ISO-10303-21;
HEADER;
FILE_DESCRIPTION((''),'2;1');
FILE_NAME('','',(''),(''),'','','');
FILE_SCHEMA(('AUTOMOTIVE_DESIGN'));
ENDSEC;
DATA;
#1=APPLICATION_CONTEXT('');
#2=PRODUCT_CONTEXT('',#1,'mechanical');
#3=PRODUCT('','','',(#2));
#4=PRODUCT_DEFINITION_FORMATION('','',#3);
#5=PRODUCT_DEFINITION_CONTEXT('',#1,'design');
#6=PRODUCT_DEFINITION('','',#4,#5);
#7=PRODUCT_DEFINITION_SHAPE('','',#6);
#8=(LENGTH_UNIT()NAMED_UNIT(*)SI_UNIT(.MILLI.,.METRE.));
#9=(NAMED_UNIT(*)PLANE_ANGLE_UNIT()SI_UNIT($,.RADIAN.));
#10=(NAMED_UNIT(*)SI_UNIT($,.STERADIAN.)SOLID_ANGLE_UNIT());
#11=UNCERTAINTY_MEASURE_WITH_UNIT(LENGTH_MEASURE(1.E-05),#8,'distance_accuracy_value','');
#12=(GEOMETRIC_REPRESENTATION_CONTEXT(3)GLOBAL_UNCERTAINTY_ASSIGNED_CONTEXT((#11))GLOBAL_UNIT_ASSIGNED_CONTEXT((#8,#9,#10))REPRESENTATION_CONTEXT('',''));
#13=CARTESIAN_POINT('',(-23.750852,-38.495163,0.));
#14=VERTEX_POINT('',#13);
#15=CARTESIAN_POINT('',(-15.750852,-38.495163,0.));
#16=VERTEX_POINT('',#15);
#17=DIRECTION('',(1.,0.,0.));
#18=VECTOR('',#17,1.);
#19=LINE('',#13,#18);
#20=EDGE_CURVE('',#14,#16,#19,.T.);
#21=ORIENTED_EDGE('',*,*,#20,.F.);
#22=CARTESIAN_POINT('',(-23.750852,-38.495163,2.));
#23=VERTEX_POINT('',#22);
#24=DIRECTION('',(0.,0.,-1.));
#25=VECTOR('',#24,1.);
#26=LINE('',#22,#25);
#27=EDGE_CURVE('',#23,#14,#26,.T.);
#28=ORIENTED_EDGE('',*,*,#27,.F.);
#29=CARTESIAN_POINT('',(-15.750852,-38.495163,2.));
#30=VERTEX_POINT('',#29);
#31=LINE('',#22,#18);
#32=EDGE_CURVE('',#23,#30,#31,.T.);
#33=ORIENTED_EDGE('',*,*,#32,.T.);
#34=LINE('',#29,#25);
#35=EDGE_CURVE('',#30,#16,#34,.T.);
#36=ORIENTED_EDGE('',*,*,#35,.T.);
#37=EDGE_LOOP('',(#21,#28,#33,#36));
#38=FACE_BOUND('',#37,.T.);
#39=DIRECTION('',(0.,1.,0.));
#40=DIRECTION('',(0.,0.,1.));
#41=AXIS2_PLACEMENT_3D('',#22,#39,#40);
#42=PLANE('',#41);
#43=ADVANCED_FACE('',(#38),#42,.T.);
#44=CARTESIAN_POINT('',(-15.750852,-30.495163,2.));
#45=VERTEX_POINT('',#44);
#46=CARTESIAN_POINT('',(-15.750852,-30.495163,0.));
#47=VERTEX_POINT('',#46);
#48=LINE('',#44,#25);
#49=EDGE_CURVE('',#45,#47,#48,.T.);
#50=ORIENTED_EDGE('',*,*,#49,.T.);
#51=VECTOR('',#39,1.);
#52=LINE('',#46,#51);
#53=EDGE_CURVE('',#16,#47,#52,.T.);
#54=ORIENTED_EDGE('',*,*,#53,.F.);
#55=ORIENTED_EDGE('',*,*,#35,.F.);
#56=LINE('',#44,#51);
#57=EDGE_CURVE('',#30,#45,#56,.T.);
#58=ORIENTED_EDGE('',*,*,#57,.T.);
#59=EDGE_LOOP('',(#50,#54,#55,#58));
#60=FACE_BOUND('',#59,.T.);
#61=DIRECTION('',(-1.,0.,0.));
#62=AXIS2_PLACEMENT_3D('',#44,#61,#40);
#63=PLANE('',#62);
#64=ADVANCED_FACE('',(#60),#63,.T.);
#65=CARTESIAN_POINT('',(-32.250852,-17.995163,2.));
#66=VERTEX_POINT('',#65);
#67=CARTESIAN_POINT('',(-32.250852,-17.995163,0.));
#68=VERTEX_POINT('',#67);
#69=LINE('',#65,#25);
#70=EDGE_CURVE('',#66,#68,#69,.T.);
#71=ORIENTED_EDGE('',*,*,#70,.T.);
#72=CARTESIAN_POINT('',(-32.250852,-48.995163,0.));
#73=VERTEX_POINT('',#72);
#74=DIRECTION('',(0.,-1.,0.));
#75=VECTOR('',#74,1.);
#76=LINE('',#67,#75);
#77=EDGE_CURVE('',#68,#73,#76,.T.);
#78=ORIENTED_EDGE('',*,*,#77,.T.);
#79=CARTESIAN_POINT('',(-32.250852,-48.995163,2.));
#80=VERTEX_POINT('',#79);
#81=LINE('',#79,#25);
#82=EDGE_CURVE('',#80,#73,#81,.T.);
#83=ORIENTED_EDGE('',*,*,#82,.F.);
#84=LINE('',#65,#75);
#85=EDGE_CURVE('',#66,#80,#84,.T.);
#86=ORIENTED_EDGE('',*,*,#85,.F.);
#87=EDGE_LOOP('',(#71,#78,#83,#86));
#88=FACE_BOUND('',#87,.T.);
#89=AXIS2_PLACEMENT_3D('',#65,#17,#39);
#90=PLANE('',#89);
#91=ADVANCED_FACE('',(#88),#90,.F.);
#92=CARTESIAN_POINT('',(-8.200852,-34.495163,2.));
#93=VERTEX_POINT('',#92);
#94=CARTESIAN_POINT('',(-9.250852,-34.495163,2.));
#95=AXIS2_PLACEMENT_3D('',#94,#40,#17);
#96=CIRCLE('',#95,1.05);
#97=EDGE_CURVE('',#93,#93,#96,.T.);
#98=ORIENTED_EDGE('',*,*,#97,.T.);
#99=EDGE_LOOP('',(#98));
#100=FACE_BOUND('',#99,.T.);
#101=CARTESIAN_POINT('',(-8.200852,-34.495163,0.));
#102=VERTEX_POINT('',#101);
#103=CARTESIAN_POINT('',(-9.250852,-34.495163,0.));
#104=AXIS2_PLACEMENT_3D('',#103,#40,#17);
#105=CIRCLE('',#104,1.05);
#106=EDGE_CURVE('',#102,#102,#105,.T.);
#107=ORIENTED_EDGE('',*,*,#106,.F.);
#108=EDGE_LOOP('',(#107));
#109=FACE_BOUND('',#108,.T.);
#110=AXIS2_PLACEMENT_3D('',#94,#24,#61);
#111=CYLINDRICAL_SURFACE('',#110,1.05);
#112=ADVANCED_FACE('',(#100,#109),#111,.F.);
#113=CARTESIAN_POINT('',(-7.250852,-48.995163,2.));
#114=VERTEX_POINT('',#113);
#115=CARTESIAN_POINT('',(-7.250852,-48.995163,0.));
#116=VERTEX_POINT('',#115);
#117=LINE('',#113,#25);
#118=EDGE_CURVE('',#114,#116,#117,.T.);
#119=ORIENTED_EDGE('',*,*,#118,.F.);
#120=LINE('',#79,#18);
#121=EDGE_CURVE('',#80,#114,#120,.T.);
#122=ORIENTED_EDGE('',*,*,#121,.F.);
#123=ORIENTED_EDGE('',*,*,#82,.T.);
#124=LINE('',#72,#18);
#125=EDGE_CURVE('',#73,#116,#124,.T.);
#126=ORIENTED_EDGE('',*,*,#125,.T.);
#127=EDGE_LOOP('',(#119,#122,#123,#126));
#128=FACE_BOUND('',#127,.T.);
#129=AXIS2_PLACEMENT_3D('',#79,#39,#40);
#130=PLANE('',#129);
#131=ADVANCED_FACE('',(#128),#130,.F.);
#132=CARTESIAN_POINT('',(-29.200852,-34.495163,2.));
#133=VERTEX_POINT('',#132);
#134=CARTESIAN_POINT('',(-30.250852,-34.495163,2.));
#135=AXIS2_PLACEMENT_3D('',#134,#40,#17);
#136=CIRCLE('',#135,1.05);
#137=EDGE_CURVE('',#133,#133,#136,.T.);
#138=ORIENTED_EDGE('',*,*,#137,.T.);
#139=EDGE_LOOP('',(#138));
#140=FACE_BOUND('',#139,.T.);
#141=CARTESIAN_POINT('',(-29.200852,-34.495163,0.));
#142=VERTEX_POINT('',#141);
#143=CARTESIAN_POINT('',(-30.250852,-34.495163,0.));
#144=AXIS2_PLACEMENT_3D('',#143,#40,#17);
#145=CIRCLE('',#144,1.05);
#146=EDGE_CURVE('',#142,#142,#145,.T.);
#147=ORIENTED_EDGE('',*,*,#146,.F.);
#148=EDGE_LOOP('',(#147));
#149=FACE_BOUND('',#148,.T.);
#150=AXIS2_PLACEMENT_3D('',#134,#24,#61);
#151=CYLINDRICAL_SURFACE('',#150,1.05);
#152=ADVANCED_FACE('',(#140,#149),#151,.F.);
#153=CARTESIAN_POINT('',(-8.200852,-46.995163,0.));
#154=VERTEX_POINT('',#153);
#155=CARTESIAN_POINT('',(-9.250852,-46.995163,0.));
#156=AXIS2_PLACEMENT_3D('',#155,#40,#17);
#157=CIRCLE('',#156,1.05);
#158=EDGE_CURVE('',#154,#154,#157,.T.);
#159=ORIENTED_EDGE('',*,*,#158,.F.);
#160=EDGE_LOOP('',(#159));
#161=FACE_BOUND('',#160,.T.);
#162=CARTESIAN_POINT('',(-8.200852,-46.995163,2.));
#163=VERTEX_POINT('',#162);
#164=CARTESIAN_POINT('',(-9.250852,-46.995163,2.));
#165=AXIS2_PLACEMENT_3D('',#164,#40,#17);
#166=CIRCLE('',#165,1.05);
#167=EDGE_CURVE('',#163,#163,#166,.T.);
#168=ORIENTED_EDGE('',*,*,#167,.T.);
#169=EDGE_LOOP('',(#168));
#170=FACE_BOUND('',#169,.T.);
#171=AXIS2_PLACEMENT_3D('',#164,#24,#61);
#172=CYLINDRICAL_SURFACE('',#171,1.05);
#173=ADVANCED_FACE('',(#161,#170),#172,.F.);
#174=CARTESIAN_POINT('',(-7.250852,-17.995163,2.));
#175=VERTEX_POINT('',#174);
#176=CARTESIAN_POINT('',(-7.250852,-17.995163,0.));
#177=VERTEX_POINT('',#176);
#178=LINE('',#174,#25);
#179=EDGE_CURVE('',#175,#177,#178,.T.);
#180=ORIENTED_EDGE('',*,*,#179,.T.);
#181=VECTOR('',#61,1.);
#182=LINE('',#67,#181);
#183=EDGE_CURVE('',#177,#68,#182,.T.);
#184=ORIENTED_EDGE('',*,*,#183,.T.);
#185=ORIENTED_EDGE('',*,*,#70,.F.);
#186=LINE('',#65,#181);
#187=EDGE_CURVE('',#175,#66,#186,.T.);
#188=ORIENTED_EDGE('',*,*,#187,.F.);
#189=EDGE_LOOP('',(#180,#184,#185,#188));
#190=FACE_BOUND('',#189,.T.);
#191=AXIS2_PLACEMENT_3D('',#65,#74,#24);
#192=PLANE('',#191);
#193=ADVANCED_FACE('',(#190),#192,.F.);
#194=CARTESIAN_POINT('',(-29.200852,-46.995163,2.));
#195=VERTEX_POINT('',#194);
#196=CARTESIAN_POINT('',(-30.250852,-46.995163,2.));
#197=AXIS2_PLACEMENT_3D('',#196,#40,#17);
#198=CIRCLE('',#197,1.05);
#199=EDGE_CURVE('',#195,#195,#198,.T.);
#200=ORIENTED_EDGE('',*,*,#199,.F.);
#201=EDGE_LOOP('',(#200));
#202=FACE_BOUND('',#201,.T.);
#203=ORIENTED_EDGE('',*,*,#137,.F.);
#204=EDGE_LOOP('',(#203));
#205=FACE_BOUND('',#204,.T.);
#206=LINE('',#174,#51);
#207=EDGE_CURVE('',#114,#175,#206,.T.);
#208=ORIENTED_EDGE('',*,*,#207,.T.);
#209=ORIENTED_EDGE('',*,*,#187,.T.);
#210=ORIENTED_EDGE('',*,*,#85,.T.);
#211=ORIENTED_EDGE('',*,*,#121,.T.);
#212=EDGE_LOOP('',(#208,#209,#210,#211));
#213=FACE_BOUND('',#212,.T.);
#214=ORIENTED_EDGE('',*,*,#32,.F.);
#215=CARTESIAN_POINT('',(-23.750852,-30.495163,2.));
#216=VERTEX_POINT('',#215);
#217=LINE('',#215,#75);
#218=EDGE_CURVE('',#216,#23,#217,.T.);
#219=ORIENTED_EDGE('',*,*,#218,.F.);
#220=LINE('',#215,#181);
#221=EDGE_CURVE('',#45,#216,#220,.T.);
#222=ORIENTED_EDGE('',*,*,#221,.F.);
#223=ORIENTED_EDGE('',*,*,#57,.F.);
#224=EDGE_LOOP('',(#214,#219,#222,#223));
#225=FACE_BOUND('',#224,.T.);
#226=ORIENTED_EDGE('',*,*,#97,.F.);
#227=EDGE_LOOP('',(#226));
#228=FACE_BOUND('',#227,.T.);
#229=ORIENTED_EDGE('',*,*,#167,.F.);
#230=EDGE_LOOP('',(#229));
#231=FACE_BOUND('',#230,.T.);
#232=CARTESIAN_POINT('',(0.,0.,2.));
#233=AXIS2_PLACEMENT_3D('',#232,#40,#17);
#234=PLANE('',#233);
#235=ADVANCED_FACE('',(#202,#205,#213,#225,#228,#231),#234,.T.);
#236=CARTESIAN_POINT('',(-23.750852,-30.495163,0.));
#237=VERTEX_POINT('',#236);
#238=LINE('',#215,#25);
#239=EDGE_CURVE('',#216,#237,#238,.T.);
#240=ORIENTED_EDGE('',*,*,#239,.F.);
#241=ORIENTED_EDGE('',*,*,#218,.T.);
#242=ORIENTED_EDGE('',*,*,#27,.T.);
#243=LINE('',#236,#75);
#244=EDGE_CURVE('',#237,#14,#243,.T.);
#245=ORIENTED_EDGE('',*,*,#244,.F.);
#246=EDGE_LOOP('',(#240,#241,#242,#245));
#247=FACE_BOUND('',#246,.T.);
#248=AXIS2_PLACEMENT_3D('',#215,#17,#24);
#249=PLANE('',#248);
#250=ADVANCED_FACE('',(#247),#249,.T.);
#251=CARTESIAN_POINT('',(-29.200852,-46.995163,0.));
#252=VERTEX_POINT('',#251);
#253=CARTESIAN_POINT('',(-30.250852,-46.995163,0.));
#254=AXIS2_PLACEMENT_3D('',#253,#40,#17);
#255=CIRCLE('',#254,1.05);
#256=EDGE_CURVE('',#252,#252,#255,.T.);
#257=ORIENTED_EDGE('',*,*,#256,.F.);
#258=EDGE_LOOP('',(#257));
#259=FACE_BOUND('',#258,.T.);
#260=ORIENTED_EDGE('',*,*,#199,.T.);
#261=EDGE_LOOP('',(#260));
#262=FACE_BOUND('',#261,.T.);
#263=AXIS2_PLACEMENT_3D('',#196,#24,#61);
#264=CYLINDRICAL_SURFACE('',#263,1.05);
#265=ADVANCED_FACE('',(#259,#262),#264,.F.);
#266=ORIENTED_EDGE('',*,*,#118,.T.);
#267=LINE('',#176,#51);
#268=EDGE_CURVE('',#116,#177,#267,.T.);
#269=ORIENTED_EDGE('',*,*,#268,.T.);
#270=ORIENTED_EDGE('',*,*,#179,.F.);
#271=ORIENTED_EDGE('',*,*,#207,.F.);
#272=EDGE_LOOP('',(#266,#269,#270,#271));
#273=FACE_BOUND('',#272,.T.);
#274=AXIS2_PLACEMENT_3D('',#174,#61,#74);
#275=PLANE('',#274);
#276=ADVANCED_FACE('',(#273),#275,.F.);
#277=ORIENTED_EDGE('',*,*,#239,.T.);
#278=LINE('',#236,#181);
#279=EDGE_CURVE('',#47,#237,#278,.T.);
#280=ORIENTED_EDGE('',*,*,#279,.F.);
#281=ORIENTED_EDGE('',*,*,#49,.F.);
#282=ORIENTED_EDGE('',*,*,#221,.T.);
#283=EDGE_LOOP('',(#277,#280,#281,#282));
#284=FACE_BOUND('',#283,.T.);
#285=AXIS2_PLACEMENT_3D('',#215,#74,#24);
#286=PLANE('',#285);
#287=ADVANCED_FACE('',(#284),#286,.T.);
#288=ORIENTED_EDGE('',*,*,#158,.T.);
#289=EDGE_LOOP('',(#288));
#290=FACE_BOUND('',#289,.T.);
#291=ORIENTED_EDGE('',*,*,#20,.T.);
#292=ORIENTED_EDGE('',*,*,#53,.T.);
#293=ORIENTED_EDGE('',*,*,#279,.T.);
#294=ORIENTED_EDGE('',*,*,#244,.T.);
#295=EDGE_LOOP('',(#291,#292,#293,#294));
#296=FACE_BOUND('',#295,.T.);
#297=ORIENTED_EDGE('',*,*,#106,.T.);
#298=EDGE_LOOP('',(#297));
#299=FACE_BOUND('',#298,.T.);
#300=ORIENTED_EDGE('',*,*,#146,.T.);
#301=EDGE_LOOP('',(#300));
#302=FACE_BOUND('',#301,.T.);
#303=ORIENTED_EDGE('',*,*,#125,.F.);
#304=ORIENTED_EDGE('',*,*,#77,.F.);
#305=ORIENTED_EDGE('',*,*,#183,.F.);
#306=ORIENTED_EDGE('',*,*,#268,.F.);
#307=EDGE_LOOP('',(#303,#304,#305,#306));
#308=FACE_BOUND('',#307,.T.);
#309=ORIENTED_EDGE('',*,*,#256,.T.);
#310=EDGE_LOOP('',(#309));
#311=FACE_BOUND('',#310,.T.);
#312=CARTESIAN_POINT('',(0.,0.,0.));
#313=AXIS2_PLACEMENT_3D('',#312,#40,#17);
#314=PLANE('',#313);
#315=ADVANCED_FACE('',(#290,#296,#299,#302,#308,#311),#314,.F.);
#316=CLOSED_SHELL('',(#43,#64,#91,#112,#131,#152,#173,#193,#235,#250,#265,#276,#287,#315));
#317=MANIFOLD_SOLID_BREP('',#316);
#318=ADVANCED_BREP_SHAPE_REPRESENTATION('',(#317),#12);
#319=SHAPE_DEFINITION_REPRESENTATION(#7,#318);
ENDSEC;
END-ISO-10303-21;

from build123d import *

# Parameters (mm, degrees)
ESQUISSE1_W        = 25
ESQUISSE1_H        = 31
ESQUISSE1_R        = 1.05
ESQUISSE1_W_2      = 8
ESQUISSE1_H_2      = 8
BOSS_EXTRU_1_DEPTH = 2


with BuildPart() as part:
    # Esquisse1 → Boss.-Extru.1 (new body)
    with BuildSketch(Plane.XY):
        with Locations((-19.750852345, -33.495163441)):
            Rectangle(ESQUISSE1_W, ESQUISSE1_H)
        with Locations((-30.250852345, -46.995163441)):
            Circle(ESQUISSE1_R, mode=Mode.SUBTRACT)
        with Locations((-9.250852345, -46.995163441)):
            Circle(ESQUISSE1_R, mode=Mode.SUBTRACT)
        with Locations((-30.250852345, -34.495163441)):
            Circle(ESQUISSE1_R, mode=Mode.SUBTRACT)
        with Locations((-9.250852345, -34.495163441)):
            Circle(ESQUISSE1_R, mode=Mode.SUBTRACT)
        with Locations((-19.750852345, -34.495163441)):
            Rectangle(ESQUISSE1_W_2, ESQUISSE1_H_2, mode=Mode.SUBTRACT)
    extrude(amount=BOSS_EXTRU_1_DEPTH)


solid = part.part
